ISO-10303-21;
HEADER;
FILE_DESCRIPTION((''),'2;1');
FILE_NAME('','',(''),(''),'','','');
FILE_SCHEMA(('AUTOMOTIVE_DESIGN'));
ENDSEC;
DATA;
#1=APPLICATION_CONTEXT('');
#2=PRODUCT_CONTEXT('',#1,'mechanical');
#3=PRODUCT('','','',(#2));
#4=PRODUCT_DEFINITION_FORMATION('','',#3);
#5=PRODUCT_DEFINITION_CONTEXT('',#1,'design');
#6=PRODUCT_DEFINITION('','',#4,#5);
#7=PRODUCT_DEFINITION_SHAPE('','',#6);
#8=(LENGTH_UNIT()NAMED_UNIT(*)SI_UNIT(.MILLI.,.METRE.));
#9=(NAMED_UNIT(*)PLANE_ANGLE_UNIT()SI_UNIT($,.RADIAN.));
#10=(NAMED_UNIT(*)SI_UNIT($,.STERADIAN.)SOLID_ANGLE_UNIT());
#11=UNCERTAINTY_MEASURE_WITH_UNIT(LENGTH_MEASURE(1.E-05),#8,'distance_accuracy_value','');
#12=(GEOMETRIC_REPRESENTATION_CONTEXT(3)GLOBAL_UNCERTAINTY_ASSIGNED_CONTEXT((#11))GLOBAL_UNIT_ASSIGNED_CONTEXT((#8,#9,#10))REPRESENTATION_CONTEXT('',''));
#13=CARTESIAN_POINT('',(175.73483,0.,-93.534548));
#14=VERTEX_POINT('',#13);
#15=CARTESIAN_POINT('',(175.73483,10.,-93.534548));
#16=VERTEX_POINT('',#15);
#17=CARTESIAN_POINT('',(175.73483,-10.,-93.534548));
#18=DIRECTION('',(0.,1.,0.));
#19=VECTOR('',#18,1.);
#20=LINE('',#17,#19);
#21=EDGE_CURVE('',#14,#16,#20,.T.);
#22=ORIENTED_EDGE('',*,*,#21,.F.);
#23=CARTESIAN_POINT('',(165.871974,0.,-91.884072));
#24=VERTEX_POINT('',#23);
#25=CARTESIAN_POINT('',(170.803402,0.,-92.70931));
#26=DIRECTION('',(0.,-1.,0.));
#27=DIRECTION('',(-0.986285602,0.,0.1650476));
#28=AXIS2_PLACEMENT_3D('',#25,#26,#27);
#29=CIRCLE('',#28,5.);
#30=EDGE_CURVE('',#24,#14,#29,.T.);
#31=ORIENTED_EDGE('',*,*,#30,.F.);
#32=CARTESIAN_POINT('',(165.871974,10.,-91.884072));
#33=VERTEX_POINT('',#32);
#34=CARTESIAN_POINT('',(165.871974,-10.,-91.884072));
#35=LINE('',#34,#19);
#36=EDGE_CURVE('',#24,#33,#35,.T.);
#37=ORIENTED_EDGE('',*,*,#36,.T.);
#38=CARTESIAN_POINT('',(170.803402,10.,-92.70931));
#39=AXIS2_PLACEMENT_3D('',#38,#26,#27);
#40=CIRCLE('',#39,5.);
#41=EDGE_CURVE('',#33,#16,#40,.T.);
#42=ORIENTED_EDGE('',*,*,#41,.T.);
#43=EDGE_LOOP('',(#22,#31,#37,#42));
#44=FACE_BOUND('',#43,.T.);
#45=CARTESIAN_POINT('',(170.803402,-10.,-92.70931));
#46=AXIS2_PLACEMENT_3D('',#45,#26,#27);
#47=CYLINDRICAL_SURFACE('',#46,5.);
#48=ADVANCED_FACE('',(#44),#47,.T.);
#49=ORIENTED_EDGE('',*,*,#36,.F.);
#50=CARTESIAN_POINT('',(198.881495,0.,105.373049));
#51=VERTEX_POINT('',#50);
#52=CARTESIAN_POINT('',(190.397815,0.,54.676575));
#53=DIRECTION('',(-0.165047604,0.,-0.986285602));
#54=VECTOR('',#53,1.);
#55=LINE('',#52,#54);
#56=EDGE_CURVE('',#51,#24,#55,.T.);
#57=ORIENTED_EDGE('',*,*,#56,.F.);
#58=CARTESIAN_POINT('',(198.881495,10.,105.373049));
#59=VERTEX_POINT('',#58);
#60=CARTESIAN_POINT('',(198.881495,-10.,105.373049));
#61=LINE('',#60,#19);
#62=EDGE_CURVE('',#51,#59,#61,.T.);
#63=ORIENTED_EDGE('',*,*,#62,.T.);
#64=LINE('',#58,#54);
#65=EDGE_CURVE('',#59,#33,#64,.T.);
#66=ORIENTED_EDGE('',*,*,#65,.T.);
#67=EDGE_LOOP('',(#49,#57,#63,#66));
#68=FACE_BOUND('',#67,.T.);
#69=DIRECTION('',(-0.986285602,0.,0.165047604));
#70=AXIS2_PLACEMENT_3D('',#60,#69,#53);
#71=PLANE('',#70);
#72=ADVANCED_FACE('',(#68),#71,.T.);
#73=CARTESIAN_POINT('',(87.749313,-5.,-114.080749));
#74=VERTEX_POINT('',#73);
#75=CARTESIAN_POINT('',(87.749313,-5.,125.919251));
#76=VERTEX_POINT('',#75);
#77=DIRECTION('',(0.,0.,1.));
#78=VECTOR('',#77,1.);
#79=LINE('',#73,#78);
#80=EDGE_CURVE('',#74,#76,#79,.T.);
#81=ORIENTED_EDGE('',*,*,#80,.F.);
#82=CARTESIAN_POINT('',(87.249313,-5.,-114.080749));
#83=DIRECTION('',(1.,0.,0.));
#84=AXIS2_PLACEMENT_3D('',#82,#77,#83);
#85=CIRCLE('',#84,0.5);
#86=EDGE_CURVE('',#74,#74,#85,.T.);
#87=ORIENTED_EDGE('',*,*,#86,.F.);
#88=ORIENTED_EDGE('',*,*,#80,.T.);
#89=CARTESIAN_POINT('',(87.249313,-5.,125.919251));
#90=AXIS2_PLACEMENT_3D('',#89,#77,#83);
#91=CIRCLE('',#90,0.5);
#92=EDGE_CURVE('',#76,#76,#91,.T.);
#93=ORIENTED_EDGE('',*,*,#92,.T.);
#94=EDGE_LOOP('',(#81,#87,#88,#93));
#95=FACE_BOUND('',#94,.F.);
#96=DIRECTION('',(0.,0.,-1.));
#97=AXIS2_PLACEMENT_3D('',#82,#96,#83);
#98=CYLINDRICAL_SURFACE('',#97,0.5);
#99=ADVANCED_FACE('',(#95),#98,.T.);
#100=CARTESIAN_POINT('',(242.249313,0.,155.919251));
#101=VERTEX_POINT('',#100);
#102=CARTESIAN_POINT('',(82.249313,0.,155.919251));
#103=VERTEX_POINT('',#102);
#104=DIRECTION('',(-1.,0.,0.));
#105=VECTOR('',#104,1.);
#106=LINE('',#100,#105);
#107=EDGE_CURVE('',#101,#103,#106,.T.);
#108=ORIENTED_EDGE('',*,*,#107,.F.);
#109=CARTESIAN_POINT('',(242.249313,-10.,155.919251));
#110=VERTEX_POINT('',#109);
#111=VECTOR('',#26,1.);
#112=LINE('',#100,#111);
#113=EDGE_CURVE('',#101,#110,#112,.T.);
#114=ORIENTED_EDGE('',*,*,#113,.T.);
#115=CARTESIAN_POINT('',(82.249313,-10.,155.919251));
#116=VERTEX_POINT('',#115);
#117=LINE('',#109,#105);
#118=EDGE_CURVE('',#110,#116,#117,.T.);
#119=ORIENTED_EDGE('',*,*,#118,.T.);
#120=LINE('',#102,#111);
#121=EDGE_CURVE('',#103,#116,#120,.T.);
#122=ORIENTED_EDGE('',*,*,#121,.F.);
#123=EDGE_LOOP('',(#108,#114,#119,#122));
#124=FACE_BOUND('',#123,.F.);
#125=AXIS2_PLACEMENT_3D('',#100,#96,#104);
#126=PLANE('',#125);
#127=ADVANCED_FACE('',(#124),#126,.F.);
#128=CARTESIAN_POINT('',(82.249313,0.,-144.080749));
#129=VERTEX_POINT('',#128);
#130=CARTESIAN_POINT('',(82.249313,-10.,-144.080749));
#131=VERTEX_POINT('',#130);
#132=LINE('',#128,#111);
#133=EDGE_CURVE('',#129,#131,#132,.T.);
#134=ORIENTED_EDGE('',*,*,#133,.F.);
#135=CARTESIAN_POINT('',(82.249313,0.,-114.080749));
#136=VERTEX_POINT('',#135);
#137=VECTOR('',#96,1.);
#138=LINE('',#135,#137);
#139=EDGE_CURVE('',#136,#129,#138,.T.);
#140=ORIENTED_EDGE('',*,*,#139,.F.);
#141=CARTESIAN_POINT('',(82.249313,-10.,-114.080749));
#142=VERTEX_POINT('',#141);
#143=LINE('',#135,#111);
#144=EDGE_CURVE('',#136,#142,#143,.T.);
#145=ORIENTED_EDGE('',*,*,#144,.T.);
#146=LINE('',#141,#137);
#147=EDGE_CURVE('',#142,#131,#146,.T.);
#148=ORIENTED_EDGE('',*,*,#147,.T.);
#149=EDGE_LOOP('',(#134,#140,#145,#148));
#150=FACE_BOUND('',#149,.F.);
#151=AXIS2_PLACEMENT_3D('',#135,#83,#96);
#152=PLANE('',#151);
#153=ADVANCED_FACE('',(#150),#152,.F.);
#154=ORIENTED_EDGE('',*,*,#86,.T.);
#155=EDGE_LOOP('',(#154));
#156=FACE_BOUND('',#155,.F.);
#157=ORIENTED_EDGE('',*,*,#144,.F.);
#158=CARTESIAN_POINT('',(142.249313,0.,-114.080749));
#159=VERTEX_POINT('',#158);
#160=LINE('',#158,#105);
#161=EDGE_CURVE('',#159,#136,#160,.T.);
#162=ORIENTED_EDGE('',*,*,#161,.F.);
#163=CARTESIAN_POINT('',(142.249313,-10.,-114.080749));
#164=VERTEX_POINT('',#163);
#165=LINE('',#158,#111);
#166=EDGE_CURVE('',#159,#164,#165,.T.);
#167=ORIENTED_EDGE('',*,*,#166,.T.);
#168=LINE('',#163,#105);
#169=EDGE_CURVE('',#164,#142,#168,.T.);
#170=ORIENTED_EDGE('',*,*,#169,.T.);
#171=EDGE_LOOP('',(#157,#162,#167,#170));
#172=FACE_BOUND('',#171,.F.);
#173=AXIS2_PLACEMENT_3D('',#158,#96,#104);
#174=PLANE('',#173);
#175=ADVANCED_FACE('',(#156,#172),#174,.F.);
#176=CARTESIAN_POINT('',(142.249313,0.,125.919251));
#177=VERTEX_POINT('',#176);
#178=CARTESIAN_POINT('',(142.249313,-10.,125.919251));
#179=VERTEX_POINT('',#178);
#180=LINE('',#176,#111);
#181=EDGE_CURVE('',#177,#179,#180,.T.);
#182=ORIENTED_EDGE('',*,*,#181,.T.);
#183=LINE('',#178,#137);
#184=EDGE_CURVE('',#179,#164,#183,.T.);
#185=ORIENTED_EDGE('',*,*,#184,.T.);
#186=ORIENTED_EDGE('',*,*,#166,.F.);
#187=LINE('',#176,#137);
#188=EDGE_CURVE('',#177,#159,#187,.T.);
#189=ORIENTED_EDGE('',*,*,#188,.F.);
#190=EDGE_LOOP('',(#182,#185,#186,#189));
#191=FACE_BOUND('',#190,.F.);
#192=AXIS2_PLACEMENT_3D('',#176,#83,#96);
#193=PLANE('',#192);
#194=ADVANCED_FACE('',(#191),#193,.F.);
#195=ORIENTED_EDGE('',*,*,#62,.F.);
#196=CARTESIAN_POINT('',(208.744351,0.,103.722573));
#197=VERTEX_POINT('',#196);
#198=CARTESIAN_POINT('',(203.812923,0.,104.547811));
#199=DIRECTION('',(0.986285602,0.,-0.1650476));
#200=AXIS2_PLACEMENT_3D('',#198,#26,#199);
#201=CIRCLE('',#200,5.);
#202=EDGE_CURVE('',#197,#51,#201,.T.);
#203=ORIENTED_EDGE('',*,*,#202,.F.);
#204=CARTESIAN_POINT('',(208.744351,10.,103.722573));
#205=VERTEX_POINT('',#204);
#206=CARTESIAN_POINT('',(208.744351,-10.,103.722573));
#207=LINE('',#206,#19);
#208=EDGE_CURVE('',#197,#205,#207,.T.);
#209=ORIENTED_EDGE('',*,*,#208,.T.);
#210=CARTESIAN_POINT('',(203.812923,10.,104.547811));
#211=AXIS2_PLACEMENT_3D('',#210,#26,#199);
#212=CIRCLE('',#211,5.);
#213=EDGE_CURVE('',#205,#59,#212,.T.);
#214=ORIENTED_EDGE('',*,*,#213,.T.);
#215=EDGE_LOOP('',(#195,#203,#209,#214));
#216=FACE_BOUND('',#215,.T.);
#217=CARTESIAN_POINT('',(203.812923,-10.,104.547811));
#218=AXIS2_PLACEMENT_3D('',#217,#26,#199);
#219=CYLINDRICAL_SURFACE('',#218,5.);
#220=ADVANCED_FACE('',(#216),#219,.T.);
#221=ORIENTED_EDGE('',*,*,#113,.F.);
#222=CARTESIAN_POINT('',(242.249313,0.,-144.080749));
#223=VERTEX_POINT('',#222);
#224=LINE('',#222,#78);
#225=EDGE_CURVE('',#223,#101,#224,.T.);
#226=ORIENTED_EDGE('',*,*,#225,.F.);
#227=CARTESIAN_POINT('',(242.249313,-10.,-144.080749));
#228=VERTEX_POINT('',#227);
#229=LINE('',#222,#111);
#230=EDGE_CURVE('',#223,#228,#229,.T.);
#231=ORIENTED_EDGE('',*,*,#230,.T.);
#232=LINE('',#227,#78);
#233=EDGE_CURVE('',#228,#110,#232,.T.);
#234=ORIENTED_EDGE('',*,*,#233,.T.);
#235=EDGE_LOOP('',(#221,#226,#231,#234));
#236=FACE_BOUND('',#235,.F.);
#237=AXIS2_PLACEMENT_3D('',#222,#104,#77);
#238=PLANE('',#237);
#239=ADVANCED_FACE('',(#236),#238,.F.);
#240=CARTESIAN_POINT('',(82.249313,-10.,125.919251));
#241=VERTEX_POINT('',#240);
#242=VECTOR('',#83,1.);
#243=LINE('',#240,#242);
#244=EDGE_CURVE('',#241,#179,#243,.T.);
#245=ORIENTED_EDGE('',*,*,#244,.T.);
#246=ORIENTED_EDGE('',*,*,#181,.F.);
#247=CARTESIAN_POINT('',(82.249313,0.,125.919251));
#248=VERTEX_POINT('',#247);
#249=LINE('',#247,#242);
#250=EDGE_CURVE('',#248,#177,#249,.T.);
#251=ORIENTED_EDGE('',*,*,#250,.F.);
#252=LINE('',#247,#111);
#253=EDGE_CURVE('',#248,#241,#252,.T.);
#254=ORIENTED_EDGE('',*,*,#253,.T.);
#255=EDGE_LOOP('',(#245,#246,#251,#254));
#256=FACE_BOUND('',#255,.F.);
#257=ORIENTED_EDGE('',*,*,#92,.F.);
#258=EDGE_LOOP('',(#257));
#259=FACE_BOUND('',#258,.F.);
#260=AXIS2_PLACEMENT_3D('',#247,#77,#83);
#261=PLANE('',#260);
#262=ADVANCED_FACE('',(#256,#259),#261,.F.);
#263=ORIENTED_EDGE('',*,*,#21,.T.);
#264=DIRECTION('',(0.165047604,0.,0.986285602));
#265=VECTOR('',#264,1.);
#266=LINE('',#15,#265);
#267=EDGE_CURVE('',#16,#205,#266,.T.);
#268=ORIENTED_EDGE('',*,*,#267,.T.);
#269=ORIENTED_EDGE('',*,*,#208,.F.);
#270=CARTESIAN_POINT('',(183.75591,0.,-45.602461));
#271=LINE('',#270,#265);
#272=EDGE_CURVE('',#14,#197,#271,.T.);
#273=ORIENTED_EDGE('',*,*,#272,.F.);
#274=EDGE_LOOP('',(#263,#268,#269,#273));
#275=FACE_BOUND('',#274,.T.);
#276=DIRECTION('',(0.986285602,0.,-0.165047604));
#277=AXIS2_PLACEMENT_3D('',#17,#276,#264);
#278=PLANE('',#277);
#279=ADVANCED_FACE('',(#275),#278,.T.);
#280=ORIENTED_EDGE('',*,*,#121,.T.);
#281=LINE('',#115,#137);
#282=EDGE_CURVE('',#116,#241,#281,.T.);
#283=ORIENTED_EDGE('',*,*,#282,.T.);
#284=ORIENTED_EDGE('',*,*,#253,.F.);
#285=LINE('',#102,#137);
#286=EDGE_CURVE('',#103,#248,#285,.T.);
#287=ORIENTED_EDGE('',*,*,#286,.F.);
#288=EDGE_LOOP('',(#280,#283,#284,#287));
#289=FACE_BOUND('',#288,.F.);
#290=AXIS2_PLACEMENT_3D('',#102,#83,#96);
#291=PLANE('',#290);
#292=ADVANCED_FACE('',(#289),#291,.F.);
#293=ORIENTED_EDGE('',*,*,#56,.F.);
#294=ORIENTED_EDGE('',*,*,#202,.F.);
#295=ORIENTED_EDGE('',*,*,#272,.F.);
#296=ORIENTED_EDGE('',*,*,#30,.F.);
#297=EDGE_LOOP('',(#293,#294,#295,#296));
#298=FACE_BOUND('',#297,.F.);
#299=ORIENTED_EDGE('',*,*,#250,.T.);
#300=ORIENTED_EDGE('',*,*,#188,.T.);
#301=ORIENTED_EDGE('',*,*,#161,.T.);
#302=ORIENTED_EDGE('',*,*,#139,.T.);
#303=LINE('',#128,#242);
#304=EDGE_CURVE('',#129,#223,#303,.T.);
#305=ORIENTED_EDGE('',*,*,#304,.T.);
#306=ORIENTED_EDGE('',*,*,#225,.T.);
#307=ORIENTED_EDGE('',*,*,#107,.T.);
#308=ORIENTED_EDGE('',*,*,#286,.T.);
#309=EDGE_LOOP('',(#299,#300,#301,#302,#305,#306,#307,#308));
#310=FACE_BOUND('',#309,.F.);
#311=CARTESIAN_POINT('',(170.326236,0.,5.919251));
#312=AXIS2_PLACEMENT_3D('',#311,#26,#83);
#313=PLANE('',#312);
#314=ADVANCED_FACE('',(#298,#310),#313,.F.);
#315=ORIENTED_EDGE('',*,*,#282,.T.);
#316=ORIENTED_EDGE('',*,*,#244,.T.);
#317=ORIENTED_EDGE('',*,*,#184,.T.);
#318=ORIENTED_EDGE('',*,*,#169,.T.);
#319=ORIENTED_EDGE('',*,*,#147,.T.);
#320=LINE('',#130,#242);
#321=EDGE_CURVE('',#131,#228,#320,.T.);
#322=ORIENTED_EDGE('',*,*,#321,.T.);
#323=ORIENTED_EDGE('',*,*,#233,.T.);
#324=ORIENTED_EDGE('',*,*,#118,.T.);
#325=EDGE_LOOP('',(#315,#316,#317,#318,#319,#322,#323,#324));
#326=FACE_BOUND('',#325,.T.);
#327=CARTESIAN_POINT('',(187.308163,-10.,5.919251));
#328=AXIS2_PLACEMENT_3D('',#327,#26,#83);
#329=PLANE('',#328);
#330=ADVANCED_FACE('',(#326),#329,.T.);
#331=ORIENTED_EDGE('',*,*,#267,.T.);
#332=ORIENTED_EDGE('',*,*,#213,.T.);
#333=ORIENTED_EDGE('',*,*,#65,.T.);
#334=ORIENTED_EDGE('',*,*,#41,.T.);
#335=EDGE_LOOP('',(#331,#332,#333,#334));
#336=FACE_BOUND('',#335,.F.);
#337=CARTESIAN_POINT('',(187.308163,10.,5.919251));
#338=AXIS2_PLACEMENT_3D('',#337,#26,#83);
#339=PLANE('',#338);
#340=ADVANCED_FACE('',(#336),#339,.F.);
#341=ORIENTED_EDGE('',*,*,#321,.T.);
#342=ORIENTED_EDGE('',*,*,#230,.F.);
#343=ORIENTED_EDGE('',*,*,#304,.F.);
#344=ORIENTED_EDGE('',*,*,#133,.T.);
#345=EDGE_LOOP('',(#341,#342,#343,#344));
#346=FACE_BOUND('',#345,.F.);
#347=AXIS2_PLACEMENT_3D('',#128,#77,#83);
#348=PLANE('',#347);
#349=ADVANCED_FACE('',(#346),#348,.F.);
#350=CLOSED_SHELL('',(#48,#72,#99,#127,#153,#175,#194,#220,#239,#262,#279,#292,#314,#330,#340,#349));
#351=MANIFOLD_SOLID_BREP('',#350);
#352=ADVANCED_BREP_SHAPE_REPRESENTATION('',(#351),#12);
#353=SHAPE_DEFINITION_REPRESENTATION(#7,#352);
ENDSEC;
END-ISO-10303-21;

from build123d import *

# Parameters (mm, degrees)
F1_DEPTH = 10
F2_R     = 0.5
F3_DEPTH = 240
F5_DEPTH = 20


with BuildPart() as f1:
    # F0 (on Front) → F1 (new body)
    with BuildSketch(Plane.XZ):
        Polygon((82.249313, 125.919251), (142.249313, 125.919251), (142.249313, -114.080749), (82.249313, -114.080749), (82.249313, -144.080749), (142.249313, -144.080749), (242.249313, -144.080749), (242.249313, 155.919251), (142.249313, 155.919251), (82.249313, 155.919251), align=None)
    extrude(amount=F1_DEPTH)

    # F2 (on face) → F3 (join, through all)
    with BuildSketch(Plane.XY.offset(-114.080749)):
        with Locations((87.249313, -5)):
            Circle(F2_R)
    extrude(amount=F3_DEPTH)

    # F4 (on face) → F5 (join)
    with BuildSketch(Plane.XZ.offset(10)):
        with BuildLine():
            ThreePointArc((208.744351, 103.722573), (204.638161, 109.479239), (198.881495, 105.373049))
            Line((198.881495, 105.373049), (165.871974, -91.884072))
            ThreePointArc((165.871974, -91.884072), (169.978164, -97.640738), (175.73483, -93.534548))
            Line((175.73483, -93.534548), (208.744351, 103.722573))
        make_face()
    extrude(amount=-F5_DEPTH)


solid = f1.part
